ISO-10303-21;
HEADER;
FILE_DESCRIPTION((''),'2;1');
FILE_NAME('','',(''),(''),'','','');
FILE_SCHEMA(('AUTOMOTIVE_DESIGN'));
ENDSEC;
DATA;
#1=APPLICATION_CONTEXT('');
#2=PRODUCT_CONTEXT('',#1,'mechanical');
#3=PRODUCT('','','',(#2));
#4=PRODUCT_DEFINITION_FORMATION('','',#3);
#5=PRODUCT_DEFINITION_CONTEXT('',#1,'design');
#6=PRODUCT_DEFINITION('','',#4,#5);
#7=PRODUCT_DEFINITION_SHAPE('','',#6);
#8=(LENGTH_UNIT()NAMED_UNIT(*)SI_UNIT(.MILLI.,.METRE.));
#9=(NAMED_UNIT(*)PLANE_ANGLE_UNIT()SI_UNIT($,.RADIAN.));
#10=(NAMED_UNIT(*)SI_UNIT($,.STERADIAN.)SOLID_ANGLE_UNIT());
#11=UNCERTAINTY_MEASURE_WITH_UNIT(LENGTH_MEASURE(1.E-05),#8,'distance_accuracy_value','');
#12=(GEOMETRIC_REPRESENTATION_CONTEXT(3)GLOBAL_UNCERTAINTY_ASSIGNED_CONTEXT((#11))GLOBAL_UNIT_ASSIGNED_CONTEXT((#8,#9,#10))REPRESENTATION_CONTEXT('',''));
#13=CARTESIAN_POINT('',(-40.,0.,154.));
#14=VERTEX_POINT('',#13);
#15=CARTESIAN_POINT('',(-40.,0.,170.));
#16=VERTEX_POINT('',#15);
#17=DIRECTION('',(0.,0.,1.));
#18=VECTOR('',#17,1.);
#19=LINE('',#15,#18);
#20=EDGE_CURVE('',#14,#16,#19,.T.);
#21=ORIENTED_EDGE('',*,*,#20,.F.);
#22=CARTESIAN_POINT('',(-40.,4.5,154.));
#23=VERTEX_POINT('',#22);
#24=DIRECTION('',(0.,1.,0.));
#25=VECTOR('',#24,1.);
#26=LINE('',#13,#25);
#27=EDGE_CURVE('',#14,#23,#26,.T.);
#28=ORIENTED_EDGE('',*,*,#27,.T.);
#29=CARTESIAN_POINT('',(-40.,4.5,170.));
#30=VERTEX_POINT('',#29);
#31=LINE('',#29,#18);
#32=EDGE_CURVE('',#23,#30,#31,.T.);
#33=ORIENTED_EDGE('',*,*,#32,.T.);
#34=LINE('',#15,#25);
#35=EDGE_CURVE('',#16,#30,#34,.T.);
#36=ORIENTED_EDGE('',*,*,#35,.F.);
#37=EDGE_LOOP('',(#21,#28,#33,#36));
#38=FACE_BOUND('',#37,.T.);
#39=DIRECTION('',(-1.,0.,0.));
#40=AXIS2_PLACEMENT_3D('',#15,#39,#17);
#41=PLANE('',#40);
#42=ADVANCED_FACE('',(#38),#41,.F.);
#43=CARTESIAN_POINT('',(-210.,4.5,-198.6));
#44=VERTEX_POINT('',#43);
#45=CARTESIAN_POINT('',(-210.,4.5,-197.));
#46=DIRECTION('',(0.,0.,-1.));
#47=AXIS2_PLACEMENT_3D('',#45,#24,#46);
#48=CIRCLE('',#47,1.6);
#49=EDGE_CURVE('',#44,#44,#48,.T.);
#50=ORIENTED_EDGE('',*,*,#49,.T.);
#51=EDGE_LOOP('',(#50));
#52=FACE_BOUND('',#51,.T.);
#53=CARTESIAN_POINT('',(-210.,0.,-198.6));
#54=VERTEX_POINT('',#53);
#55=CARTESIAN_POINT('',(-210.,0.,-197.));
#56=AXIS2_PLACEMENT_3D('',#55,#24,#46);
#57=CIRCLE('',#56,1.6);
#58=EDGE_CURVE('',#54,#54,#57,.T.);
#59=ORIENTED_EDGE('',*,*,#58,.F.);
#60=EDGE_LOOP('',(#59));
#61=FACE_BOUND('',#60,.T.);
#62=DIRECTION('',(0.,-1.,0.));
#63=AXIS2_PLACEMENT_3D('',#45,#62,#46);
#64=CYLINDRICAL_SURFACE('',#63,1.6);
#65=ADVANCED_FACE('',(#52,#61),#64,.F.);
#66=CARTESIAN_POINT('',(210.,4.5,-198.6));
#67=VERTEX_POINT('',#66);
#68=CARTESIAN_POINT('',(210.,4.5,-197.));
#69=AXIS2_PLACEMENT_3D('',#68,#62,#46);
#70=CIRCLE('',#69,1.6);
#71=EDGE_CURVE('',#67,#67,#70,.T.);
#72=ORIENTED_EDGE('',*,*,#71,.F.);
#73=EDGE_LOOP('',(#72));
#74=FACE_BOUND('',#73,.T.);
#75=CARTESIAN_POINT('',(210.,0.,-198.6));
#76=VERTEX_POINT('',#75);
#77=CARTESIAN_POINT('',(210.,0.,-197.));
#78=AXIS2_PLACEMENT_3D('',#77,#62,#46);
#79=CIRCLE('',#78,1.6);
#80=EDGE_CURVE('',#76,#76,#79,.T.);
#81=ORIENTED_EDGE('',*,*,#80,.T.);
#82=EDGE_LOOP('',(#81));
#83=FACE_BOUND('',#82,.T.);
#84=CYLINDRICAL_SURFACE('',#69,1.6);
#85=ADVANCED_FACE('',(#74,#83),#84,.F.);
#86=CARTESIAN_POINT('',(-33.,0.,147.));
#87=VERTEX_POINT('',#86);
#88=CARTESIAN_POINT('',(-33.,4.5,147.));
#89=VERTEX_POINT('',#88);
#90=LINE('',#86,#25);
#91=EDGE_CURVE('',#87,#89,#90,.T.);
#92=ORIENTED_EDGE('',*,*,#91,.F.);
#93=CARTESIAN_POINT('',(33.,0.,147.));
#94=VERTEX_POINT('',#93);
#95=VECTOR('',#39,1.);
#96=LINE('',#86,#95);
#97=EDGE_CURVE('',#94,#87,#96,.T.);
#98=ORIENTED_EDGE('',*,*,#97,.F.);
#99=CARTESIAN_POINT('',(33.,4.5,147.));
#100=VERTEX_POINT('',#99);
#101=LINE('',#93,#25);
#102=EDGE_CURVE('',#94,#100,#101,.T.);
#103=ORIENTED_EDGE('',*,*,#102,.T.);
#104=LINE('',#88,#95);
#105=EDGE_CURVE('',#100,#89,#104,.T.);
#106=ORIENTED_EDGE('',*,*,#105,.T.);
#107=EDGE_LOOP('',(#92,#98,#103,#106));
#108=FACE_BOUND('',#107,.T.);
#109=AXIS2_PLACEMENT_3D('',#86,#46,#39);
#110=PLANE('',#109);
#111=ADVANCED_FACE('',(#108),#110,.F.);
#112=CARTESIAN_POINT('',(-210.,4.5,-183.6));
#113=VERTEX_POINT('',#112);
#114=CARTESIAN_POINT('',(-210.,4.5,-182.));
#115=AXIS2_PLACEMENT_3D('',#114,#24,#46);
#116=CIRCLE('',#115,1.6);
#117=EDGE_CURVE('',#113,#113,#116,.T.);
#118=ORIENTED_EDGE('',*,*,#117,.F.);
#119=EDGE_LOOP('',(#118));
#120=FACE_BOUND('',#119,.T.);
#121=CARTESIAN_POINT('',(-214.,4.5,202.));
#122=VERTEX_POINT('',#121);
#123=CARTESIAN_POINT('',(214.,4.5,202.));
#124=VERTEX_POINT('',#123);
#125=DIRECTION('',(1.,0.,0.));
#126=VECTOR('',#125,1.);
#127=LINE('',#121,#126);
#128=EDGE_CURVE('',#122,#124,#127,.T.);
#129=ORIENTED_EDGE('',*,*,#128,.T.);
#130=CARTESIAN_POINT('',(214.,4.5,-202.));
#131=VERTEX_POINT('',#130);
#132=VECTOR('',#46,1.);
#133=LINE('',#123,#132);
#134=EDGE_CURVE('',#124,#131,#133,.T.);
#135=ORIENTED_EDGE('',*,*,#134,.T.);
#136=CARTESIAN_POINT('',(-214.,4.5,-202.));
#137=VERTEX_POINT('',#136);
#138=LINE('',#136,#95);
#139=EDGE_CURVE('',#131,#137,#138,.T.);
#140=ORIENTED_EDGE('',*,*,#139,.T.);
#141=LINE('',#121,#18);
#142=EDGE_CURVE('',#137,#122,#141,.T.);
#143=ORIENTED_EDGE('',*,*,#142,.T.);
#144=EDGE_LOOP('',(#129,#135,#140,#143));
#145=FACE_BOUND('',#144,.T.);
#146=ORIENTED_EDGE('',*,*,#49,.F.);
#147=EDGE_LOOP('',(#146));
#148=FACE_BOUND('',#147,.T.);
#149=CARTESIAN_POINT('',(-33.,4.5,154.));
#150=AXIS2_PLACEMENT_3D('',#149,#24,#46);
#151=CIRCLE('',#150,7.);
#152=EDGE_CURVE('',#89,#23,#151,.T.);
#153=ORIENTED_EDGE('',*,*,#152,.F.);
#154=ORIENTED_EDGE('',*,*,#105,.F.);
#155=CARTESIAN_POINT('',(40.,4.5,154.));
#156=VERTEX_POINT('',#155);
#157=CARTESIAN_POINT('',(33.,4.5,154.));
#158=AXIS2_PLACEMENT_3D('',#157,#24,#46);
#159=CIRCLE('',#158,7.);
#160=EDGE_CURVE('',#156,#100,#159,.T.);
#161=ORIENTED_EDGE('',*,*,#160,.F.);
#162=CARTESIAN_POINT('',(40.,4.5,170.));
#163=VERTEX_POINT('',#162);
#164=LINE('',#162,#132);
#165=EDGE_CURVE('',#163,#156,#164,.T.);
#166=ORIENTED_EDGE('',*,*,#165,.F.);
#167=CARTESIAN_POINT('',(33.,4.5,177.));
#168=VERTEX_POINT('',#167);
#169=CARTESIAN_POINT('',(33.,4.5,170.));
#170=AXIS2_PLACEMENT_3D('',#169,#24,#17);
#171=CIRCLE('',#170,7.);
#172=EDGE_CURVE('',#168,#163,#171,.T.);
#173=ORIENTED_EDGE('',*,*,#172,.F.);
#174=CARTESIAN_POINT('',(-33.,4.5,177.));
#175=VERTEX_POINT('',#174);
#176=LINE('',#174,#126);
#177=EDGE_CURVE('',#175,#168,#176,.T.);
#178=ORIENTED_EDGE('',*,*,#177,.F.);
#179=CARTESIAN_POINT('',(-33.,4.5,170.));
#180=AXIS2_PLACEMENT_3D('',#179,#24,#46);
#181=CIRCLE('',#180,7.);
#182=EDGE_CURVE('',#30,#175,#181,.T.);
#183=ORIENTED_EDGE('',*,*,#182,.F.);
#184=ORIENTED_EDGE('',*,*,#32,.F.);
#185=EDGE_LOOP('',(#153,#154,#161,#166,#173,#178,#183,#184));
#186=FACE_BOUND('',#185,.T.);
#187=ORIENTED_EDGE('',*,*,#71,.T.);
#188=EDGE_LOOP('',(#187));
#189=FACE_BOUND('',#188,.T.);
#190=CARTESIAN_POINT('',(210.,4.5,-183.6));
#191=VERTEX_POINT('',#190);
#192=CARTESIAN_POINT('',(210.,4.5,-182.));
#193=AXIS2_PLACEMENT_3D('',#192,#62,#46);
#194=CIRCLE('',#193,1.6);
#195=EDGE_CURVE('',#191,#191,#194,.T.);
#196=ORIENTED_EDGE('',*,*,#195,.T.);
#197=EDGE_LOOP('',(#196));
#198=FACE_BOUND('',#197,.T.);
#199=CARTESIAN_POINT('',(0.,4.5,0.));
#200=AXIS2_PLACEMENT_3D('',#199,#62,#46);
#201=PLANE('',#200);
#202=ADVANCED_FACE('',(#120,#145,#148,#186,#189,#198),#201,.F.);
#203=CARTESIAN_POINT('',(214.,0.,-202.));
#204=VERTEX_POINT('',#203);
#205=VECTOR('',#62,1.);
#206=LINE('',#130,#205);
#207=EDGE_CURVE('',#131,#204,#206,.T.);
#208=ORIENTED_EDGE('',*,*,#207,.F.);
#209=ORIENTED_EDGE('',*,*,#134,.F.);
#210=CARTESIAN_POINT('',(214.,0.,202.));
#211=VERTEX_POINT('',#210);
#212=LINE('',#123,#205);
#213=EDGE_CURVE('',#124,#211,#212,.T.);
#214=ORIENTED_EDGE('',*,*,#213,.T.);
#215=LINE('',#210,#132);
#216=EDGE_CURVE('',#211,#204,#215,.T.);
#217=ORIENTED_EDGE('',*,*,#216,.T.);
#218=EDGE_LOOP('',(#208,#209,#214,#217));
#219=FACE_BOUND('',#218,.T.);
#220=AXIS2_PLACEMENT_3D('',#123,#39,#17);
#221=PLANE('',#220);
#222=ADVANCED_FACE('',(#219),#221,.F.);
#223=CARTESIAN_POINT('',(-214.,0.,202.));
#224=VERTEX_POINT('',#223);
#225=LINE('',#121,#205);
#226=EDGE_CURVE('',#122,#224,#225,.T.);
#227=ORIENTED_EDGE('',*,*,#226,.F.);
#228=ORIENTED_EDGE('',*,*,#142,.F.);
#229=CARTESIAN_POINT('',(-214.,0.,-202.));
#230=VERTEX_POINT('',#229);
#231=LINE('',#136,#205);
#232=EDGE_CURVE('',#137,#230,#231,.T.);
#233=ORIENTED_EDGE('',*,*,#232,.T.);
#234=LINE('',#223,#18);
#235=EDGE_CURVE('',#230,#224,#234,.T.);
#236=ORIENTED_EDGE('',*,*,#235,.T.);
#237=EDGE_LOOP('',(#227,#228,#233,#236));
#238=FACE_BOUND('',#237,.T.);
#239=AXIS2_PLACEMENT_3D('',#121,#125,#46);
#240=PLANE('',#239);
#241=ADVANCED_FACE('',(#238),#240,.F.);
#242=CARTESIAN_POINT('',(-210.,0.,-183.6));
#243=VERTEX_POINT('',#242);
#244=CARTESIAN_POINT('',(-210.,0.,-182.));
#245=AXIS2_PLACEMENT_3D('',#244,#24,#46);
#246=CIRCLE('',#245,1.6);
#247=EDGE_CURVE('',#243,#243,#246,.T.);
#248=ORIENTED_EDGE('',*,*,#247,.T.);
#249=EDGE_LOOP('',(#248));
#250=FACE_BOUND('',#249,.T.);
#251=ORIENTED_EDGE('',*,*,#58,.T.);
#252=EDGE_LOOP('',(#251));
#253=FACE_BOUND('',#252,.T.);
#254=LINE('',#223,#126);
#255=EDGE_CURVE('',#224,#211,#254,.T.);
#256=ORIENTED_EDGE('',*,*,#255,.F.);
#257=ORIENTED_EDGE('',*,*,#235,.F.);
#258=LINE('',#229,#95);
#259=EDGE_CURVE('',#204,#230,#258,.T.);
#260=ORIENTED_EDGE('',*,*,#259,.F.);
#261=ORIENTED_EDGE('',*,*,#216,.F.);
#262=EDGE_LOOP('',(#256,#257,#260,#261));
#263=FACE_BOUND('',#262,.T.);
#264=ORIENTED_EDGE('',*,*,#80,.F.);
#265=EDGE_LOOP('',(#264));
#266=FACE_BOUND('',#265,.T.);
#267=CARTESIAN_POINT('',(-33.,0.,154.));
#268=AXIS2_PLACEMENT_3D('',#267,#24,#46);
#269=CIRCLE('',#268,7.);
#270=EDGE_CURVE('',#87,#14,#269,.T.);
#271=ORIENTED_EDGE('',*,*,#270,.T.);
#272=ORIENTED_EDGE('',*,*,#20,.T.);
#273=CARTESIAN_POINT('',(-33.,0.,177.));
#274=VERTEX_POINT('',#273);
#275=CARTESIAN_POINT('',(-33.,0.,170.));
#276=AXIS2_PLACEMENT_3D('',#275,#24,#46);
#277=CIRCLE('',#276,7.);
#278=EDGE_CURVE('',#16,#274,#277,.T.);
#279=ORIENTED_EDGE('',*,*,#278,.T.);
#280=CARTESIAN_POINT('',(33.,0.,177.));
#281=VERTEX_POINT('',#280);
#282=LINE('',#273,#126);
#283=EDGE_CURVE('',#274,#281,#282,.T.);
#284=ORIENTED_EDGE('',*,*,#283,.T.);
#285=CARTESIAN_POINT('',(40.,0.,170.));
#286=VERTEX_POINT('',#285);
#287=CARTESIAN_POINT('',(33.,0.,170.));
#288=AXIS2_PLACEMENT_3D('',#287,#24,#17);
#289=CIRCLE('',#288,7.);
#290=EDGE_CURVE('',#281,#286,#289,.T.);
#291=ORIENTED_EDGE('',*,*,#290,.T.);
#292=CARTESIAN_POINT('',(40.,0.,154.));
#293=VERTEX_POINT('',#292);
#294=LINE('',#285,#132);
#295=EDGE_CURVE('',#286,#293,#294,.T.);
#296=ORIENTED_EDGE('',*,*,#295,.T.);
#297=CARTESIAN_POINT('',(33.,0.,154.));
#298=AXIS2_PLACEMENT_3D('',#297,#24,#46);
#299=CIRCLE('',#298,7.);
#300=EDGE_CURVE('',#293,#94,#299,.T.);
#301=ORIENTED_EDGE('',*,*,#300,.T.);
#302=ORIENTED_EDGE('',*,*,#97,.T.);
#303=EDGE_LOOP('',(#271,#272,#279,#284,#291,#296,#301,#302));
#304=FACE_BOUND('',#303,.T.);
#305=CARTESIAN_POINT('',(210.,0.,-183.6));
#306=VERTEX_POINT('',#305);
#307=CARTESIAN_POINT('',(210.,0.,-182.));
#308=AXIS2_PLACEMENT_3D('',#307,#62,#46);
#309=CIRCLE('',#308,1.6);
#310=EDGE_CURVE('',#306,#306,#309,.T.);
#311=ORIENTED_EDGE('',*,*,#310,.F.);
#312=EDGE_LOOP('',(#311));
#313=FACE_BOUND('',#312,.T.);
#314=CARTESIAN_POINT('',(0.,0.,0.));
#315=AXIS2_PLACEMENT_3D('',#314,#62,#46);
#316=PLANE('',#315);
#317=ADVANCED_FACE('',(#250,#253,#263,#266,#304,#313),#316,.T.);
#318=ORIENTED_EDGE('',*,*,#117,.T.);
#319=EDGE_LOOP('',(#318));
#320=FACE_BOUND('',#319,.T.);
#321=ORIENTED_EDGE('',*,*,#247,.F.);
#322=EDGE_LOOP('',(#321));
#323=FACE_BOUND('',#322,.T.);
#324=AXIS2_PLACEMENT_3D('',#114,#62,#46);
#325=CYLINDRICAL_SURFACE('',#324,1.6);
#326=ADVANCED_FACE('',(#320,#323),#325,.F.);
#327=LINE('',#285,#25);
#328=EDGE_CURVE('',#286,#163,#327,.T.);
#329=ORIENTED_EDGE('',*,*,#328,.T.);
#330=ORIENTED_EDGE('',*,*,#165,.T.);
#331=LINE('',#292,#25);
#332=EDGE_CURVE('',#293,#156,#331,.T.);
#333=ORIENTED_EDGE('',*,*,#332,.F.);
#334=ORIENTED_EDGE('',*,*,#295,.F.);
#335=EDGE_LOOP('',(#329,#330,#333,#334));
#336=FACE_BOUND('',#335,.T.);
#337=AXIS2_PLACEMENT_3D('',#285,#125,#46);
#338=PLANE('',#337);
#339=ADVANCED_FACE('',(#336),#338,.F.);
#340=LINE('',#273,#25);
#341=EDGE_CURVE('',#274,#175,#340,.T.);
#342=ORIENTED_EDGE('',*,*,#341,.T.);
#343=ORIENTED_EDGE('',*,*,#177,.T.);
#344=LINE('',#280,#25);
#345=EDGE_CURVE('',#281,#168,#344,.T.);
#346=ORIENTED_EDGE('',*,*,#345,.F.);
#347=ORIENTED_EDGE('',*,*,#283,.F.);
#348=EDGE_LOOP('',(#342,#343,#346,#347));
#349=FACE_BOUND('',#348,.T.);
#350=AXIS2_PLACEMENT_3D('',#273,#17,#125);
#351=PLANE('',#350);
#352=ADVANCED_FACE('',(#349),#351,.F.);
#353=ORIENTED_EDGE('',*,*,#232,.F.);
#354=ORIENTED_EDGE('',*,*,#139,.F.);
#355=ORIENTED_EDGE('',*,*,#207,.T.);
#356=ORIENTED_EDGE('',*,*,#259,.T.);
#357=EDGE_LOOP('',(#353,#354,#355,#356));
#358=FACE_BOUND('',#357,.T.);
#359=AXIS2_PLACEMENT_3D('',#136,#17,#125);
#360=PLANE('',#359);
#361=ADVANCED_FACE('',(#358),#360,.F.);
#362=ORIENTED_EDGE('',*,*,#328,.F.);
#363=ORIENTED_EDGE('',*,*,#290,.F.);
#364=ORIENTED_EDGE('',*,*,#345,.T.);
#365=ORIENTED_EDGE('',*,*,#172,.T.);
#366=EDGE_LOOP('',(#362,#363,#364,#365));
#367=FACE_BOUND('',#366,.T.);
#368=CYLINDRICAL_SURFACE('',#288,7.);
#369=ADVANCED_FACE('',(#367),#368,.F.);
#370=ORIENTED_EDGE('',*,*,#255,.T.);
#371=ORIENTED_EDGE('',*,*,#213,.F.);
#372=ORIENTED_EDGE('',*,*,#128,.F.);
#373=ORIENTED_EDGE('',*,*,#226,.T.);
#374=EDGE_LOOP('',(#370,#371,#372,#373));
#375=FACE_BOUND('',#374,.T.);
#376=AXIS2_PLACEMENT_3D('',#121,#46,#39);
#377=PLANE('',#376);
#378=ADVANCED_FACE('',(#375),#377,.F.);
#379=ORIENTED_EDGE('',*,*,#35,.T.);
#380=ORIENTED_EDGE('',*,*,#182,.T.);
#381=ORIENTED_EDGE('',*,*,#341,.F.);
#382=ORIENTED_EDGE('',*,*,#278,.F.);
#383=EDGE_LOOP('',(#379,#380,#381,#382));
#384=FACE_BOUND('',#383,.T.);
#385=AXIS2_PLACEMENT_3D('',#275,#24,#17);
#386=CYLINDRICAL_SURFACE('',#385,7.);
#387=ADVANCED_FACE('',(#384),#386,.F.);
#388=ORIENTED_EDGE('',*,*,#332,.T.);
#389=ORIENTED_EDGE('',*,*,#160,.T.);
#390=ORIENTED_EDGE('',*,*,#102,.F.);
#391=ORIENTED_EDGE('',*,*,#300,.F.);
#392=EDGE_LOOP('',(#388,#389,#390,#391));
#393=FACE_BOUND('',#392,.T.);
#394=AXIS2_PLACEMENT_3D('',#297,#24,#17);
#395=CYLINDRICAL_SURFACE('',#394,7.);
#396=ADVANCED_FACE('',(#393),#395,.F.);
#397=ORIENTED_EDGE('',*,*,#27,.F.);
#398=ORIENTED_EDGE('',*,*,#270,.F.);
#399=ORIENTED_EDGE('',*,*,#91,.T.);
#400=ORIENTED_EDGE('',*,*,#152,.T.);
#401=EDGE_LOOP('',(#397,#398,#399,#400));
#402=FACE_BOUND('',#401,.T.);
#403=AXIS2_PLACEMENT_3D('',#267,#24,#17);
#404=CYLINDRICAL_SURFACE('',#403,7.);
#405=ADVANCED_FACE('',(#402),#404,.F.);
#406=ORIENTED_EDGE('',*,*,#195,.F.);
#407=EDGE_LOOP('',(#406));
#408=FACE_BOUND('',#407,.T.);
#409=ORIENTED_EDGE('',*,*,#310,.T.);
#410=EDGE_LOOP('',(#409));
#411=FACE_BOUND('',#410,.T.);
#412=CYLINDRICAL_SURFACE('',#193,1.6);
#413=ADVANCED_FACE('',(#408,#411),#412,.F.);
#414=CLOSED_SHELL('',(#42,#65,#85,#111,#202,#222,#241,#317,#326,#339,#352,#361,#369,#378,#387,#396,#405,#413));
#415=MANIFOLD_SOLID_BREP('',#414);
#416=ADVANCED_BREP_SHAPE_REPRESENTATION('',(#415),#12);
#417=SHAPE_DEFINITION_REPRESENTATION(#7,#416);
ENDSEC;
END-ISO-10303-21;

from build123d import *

# Parameters (mm, degrees)
SKETCH1_W           = 428
SKETCH1_H           = 404
BOSS_EXTRUDE1_DEPTH = 4.5
SKETCH2_R           = 1.6
CUT_EXTRUDE1_DEPTH  = 5.5
CUT_EXTRUDE2_DEPTH  = 5.5


with BuildPart() as part:
    # Sketch1 → Boss-Extrude1 (new body)
    with BuildSketch(Plane(origin=(0, 0, 0), x_dir=(1, 0, 0), z_dir=(0, 1, 0))):
        Rectangle(SKETCH1_W, SKETCH1_H)
    extrude(amount=BOSS_EXTRUDE1_DEPTH)

    # Sketch2 → Cut-Extrude1 (cut, through all)
    with BuildSketch(Plane.XZ):
        with Locations((210, -182)):
            Circle(SKETCH2_R)
        with Locations((210, -197)):
            Circle(SKETCH2_R)
    cut_extrude1 = extrude(amount=-CUT_EXTRUDE1_DEPTH, mode=Mode.SUBTRACT)

    # Mirror1: Cut-Extrude1 across plane
    add(cut_extrude1.mirror(Plane(origin=(0, 0, 0), x_dir=(0, 0, 1), z_dir=(1, 0, 0))), mode=Mode.SUBTRACT)

    # Sketch3 → Cut-Extrude2 (cut, through all)
    with BuildSketch(Plane(origin=(0, 4.5, 0), x_dir=(1, 0, 0), z_dir=(0, 1, 0))):
        with BuildLine():
            Line((-33, -177), (33, -177))
            ThreePointArc((33, -177), (37.949747468, -174.949747468), (40, -170))
            Line((40, -170), (40, -154))
            ThreePointArc((40, -154), (37.949747468, -149.050252532), (33, -147))
            Line((33, -147), (-33, -147))
            ThreePointArc((-33, -147), (-37.949747468, -149.050252532), (-40, -154))
            Line((-40, -154), (-40, -170))
            ThreePointArc((-40, -170), (-37.949747468, -174.949747468), (-33, -177))
        make_face()
    extrude(amount=-CUT_EXTRUDE2_DEPTH, mode=Mode.SUBTRACT)


solid = part.part
